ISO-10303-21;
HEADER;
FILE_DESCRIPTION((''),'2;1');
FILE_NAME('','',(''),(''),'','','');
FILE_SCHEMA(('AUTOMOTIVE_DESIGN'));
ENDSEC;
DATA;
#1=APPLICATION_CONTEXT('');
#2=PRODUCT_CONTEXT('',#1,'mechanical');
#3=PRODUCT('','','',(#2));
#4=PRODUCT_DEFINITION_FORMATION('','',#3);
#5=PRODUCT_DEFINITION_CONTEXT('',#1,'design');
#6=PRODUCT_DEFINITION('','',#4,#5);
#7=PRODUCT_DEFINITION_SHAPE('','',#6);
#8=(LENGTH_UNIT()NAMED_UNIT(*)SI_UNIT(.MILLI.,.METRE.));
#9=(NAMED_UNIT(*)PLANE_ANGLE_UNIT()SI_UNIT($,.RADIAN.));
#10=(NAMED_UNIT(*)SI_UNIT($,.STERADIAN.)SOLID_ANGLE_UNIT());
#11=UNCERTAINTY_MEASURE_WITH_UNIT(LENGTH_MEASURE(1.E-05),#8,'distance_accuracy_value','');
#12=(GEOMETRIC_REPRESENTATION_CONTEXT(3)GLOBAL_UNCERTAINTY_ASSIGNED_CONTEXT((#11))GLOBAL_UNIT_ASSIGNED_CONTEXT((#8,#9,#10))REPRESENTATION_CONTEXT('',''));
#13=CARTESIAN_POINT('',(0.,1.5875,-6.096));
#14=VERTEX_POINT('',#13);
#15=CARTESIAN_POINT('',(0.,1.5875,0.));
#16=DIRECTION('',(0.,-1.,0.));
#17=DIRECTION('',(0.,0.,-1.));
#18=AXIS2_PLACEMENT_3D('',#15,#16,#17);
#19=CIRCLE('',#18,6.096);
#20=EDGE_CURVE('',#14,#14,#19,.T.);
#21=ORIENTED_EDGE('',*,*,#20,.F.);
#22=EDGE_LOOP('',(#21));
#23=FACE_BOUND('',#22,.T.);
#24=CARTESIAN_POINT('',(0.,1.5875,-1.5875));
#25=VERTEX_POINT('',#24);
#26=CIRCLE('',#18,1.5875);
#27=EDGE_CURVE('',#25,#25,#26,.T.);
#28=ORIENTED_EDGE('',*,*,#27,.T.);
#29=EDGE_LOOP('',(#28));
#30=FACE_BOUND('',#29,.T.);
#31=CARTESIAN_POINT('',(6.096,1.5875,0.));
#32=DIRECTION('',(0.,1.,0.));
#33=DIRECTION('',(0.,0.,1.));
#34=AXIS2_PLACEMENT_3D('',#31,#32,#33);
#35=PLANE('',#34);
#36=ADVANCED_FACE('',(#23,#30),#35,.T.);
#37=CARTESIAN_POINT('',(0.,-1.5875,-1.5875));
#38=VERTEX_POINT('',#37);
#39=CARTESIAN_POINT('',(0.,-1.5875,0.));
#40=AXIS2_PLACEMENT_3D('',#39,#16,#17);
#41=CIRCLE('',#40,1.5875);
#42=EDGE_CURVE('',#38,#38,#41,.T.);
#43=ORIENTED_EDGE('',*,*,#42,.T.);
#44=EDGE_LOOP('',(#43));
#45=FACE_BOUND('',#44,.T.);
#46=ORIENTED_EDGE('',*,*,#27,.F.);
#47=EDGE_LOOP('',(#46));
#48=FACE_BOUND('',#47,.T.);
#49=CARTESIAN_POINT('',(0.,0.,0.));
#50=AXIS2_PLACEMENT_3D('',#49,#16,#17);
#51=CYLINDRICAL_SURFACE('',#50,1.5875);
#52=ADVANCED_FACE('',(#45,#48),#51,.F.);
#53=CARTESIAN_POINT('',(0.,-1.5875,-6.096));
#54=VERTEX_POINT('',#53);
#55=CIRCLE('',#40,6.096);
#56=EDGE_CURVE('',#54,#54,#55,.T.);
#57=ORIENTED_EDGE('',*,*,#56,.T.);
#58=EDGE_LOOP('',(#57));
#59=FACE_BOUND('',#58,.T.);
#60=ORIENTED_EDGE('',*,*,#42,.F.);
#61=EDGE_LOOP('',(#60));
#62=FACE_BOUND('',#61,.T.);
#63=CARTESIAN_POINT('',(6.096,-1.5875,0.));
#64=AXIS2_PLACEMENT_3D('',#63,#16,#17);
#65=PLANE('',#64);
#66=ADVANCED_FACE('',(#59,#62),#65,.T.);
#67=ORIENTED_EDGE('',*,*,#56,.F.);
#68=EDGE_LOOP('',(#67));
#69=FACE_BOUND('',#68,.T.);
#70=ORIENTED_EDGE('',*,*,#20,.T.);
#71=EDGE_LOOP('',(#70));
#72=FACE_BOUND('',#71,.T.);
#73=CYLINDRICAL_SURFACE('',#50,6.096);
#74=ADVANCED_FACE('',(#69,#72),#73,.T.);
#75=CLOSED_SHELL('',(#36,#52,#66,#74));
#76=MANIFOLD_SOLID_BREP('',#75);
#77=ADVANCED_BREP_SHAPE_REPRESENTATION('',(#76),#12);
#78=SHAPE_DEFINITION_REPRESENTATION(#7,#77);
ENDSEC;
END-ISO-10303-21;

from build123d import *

# Parameters (mm, degrees)
SKETCH1_W = 4.5085
SKETCH1_H = 3.175


with BuildPart() as part:
    # Sketch1 → Revolve1 (revolve)
    with BuildSketch(Plane.XY, mode=Mode.PRIVATE) as revolve1_sk:
        with Locations((3.84175, 0)):
            Rectangle(SKETCH1_W, SKETCH1_H)
    revolve(revolve1_sk.sketch.rotate(Axis((0, 0, 0), (0, 1, 0)), 90), axis=Axis((0, 0, 0), (0, 1, 0)))


solid = part.part
